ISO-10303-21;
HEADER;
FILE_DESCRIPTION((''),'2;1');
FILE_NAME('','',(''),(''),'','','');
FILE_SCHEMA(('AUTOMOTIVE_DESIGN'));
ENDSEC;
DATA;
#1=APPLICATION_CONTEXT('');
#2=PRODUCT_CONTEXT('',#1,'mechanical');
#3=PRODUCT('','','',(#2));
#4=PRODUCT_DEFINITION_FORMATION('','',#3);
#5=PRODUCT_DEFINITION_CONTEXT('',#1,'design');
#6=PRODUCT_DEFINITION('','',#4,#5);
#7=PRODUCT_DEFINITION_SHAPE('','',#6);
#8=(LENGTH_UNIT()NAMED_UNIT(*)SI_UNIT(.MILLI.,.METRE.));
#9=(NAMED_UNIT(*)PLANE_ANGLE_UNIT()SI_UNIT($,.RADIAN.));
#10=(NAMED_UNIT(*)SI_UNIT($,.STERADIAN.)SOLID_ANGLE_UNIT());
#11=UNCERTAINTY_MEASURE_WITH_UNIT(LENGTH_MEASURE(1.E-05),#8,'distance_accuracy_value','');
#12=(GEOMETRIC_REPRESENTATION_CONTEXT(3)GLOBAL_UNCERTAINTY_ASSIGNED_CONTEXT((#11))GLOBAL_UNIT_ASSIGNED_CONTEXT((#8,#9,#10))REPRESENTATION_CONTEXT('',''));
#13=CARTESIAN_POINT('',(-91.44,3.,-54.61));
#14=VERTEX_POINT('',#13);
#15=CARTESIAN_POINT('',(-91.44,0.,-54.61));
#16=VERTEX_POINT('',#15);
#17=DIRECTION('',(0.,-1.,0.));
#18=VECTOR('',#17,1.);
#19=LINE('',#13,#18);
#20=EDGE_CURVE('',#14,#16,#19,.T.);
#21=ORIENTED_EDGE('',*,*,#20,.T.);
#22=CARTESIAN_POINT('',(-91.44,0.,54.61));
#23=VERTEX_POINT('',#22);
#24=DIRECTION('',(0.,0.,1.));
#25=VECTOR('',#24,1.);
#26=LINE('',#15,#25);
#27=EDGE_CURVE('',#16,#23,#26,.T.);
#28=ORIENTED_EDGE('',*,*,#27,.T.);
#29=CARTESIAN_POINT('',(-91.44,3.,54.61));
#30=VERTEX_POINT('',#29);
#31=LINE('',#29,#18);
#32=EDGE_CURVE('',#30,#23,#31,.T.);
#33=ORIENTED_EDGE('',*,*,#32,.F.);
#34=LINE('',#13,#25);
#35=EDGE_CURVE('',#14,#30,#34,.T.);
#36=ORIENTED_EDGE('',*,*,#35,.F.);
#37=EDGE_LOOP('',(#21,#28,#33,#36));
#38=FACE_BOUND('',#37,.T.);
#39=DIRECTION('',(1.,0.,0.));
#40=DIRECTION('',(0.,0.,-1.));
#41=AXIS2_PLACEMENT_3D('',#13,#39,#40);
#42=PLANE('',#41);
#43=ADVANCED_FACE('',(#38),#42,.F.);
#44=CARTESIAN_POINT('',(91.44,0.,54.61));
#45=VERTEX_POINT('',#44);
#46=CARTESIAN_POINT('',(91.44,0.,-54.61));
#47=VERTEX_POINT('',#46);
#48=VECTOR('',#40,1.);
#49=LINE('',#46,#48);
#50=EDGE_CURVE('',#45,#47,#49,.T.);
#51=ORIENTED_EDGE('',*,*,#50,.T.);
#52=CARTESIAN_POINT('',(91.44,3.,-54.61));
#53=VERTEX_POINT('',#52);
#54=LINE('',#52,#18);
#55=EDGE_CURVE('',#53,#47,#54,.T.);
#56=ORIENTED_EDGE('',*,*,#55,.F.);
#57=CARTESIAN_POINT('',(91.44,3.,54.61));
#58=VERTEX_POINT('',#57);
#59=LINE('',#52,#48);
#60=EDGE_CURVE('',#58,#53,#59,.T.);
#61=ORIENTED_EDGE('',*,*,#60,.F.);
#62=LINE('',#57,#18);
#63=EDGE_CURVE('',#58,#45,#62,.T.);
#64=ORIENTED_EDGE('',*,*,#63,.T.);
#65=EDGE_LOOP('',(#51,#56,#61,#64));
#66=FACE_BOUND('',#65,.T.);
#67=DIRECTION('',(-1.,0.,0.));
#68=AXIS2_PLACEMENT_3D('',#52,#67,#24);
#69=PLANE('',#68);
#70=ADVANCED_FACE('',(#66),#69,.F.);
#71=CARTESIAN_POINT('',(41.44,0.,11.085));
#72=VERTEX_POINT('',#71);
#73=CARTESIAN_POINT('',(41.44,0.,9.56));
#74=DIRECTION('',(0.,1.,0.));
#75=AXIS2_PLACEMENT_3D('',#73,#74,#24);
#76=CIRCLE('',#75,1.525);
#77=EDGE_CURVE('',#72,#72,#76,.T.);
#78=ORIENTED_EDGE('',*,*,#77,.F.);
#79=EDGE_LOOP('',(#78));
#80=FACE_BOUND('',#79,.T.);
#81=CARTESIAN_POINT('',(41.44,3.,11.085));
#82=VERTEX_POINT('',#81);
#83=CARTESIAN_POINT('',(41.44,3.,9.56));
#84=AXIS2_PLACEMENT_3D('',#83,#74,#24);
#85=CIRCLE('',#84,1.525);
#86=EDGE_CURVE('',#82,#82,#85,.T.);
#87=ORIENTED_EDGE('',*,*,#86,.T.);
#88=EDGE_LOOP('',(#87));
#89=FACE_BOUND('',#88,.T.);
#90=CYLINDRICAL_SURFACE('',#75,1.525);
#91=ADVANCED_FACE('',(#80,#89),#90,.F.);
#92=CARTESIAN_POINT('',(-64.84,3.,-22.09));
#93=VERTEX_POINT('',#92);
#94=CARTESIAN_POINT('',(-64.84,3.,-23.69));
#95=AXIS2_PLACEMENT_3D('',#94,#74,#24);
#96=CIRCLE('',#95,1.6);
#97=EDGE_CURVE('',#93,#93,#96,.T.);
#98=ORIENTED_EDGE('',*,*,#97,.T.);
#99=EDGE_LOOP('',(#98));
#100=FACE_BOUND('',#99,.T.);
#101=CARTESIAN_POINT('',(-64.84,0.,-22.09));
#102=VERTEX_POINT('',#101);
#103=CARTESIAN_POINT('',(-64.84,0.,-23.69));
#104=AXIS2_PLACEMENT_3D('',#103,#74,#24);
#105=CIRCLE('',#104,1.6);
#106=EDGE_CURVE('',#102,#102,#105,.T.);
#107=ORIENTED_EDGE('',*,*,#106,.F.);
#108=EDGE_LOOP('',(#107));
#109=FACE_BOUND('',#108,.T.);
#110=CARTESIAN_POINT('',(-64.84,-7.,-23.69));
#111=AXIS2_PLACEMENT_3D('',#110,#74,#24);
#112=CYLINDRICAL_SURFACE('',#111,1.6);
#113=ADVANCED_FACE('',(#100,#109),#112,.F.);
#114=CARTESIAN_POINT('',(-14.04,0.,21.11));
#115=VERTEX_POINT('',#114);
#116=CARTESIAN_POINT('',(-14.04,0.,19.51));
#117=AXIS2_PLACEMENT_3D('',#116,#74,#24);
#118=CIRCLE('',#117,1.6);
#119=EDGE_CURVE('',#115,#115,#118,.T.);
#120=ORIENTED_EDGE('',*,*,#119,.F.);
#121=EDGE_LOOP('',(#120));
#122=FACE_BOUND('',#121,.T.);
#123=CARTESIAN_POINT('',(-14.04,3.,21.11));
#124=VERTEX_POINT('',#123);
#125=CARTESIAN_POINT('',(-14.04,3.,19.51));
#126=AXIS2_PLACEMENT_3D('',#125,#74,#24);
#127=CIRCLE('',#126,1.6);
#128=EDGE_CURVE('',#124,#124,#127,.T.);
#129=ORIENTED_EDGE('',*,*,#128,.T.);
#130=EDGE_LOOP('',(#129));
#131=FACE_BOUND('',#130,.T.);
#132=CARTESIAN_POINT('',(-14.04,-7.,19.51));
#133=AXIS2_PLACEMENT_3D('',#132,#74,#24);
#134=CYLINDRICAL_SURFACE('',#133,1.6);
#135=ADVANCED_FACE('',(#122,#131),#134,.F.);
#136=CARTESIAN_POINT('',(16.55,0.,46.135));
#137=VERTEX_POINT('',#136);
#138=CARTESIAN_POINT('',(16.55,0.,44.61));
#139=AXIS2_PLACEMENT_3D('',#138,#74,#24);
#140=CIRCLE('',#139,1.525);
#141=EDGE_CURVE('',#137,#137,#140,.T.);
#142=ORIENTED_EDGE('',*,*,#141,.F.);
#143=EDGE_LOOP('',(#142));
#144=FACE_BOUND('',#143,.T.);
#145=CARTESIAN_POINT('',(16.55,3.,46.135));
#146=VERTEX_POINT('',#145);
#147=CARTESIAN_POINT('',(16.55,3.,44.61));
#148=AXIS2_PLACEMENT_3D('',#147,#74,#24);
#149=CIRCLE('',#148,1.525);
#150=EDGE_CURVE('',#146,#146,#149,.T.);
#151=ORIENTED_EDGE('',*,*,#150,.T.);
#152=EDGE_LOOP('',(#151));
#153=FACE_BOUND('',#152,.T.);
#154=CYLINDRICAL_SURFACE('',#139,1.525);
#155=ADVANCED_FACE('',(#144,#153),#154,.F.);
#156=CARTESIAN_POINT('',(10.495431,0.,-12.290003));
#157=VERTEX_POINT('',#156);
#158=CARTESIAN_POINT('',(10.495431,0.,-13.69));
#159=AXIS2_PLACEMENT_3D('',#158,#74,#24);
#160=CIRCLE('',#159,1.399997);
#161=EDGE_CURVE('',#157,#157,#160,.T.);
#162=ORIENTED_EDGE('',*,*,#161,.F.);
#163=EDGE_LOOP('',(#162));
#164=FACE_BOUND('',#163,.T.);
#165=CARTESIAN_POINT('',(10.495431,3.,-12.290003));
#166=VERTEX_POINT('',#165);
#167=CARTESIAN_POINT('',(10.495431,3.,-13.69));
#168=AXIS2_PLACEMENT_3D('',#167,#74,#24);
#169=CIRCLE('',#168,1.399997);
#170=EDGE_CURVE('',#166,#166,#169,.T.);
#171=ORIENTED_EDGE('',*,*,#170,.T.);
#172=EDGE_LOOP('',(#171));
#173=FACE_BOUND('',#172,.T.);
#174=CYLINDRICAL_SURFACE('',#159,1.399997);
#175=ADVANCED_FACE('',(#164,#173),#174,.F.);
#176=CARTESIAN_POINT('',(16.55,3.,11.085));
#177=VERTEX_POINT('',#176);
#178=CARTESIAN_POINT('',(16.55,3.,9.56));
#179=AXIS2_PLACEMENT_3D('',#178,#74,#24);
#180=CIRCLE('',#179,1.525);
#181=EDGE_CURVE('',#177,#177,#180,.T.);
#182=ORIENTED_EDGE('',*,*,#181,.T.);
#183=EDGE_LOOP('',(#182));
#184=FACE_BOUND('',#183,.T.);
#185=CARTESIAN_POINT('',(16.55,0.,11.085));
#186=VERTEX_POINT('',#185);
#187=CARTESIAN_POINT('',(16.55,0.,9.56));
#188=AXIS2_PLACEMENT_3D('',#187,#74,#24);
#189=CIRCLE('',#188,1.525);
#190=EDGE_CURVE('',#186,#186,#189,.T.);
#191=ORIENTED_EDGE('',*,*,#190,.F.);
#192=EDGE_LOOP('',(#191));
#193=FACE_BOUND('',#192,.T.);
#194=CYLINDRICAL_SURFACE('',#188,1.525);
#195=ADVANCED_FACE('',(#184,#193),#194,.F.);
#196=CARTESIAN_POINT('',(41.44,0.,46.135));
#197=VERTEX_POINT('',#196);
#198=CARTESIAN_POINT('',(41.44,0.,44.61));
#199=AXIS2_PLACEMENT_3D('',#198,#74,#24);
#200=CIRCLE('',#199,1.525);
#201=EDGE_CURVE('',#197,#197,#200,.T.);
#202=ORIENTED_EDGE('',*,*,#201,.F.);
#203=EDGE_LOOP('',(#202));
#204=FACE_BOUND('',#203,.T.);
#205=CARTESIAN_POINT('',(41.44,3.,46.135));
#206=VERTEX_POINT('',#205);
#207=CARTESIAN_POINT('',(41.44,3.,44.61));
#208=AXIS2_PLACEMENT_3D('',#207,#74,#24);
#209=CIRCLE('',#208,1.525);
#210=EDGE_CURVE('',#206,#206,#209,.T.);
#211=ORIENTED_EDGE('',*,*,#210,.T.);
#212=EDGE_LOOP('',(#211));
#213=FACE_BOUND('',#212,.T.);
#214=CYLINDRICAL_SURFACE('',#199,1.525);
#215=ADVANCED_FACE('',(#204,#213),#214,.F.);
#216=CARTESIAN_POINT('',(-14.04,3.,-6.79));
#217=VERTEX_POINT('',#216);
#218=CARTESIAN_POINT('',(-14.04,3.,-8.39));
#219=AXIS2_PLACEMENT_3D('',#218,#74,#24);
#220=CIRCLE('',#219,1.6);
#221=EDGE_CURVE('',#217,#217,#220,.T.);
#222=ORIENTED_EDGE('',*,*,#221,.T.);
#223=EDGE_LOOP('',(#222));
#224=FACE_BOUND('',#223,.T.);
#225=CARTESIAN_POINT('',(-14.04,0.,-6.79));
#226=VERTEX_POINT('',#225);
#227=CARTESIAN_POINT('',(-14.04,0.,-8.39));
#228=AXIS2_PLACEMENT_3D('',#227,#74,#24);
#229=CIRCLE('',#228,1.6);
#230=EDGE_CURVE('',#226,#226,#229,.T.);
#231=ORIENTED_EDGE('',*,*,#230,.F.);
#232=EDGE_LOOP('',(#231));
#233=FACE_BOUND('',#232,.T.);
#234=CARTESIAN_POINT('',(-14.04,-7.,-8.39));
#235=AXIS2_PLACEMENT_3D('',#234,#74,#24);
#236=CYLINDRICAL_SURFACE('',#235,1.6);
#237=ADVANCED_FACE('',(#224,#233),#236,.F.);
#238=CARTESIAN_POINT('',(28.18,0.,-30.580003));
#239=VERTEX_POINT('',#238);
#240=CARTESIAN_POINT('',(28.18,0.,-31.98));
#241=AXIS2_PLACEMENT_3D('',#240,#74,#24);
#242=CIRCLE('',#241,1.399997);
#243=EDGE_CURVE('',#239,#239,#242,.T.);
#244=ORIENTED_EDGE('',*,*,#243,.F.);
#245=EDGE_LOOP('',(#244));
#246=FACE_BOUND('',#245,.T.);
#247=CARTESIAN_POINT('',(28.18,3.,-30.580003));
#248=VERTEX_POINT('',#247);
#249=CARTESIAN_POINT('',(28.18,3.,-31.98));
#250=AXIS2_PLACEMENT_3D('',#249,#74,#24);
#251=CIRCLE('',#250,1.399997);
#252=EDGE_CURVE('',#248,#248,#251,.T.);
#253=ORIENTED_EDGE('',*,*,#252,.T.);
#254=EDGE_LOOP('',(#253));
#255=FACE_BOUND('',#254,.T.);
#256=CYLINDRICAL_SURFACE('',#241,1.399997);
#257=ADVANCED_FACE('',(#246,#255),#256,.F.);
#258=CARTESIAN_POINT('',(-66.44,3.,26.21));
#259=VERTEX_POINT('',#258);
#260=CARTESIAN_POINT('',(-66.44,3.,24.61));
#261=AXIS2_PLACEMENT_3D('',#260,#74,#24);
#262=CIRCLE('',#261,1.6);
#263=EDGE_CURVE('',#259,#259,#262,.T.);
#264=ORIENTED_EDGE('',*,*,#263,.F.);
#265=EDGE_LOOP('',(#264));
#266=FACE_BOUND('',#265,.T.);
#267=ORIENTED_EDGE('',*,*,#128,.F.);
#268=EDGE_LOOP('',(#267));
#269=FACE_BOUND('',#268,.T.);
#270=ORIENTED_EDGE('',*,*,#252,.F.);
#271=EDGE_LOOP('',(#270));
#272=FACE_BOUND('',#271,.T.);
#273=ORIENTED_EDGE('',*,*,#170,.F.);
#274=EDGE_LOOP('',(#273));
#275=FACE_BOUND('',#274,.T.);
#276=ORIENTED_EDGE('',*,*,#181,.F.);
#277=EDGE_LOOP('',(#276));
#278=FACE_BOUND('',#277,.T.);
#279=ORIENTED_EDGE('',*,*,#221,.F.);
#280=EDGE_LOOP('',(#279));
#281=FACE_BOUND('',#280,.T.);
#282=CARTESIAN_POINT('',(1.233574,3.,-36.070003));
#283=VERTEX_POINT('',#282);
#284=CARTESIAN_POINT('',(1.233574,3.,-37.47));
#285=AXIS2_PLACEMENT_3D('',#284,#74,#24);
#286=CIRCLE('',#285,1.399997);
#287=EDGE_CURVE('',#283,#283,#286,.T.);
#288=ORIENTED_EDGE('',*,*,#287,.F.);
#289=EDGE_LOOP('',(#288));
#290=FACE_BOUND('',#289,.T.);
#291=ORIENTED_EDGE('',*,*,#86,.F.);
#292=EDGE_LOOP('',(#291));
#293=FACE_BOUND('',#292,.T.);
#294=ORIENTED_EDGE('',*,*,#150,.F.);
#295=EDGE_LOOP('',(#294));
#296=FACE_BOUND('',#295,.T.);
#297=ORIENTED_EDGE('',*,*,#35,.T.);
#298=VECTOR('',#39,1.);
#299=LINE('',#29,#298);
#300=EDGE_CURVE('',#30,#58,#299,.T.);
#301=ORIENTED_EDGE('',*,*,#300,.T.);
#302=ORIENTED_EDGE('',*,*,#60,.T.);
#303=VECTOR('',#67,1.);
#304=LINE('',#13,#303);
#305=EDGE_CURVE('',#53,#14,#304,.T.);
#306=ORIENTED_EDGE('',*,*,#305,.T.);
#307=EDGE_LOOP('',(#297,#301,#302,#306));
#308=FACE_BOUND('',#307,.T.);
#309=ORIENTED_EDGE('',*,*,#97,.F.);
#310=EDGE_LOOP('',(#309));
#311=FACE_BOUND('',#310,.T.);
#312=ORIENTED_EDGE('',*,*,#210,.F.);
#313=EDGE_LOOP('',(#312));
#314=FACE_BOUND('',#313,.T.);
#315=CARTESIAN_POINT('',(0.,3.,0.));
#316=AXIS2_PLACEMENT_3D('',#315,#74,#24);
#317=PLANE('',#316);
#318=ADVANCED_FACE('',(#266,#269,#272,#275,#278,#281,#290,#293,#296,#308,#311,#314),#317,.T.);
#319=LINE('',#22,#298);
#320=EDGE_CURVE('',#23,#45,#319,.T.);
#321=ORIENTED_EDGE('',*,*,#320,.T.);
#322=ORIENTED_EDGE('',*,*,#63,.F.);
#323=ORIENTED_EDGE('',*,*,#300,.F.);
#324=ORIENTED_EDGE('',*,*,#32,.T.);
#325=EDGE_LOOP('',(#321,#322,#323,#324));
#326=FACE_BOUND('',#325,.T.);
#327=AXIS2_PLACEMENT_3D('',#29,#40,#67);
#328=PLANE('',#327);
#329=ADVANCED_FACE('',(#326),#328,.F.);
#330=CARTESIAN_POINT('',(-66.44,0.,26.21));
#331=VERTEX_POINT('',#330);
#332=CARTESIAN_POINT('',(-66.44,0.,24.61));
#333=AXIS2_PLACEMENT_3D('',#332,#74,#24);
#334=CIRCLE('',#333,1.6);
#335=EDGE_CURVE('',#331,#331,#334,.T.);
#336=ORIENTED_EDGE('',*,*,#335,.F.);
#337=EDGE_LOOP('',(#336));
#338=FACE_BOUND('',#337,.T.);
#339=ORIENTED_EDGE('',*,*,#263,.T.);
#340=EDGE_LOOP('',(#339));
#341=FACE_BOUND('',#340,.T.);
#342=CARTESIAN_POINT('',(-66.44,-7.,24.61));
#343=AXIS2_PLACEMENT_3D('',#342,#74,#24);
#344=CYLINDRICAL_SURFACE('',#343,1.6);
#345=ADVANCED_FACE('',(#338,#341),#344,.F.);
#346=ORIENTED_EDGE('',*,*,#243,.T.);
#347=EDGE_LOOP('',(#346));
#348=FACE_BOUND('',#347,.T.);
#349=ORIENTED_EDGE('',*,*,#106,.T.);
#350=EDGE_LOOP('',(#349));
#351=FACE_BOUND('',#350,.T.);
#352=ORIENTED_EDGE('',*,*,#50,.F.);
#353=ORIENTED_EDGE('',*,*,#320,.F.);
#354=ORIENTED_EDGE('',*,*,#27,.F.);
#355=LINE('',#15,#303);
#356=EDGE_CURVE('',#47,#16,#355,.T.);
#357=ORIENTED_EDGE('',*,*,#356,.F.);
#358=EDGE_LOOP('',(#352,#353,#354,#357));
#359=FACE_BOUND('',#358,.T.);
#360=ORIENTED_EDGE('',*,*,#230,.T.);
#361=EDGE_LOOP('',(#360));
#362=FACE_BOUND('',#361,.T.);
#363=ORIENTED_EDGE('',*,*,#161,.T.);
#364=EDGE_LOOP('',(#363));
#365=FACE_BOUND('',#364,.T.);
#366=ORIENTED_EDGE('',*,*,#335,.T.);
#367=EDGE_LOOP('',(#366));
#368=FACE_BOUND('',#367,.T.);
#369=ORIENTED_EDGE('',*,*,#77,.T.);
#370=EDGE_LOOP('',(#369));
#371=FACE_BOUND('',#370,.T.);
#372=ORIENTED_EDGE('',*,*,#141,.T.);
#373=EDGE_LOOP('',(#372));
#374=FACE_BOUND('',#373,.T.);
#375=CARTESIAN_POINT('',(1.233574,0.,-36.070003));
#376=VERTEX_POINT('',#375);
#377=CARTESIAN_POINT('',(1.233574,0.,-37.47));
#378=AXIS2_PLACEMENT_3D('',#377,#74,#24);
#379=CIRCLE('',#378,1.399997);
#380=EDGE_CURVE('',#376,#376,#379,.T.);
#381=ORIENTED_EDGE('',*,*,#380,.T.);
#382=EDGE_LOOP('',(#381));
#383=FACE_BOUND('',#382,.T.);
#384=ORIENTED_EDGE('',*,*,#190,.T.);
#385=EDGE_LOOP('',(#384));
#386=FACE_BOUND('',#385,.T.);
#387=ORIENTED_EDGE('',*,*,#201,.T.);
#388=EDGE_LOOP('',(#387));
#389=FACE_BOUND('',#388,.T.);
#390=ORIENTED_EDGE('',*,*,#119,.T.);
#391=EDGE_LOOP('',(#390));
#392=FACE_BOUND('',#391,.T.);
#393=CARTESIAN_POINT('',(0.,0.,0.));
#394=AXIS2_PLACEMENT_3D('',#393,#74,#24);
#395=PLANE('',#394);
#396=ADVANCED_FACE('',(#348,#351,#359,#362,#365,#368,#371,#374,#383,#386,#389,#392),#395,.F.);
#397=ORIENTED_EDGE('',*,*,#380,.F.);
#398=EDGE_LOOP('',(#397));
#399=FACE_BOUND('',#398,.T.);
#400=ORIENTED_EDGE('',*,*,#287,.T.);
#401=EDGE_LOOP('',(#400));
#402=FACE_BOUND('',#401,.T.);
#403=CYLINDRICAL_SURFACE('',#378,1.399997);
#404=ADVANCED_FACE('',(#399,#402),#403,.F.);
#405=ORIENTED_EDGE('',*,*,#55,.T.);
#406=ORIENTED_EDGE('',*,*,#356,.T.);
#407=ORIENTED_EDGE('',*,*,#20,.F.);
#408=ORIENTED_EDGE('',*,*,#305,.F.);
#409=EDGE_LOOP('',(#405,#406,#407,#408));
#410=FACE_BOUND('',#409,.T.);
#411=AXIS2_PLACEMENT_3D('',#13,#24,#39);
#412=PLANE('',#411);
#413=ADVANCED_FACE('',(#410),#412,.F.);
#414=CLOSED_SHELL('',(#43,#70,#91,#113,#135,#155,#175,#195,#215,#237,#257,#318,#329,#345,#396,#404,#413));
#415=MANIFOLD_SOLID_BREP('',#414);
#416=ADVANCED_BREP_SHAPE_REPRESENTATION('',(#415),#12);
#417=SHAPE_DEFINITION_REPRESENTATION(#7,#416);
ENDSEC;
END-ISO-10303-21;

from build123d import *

# Parameters (mm, degrees)
SKETCH1_W           = 182.88
SKETCH1_H           = 109.22
BOSS_EXTRUDE1_DEPTH = 3
SKETCH2_R           = 1.6
CUT_EXTRUDE1_DEPTH  = 10
SKETCH3_R           = 1.3999972
CUT_EXTRUDE2_DEPTH  = 107.548231801
SKETCH4_R           = 1.525
CUT_EXTRUDE3_DEPTH  = 107.548231801


with BuildPart() as part:
    # Sketch1 → Boss-Extrude1 (new body)
    with BuildSketch(Plane(origin=(0, 0, 0), x_dir=(1, 0, 0), z_dir=(0, 1, 0))):
        Rectangle(SKETCH1_W, SKETCH1_H)
    extrude(amount=BOSS_EXTRUDE1_DEPTH)

    # Sketch2 → Cut-Extrude1 (cut)
    with BuildSketch(Plane(origin=(0, 3, 0), x_dir=(1, 0, 0), z_dir=(0, 1, 0))):
        with Locations(Location((-66.44, -24.61, 0), (0, 0, 270))):
            Circle(SKETCH2_R)
        with Locations(Location((-64.84, 23.69, 0), (0, 0, 270))):
            Circle(SKETCH2_R)
        with Locations(Location((-14.04, 8.39, 0), (0, 0, 270))):
            Circle(SKETCH2_R)
        with Locations(Location((-14.04, -19.51, 0), (0, 0, 270))):
            Circle(SKETCH2_R)
    extrude(amount=-CUT_EXTRUDE1_DEPTH, mode=Mode.SUBTRACT)

    # Sketch3 → Cut-Extrude2 (cut, through all)
    with BuildSketch(Plane(origin=(0, 3, 0), x_dir=(1, 0, 0), z_dir=(0, 1, 0))):
        with Locations(Location((10.495430786, 13.69, 0), (0, 0, 270))):
            Circle(SKETCH3_R)
        with Locations(Location((1.233573521, 37.47, 0), (0, 0, 270))):
            Circle(SKETCH3_R)
        with Locations(Location((28.18, 31.98, 0), (0, 0, 270))):
            Circle(SKETCH3_R)
    extrude(amount=-CUT_EXTRUDE2_DEPTH, mode=Mode.SUBTRACT)

    # Sketch4 → Cut-Extrude3 (cut, through all)
    with BuildSketch(Plane(origin=(0, 3, 0), x_dir=(1, 0, 0), z_dir=(0, 1, 0))):
        with Locations(Location((16.55, -44.61, 0), (0, 0, 270))):
            Circle(SKETCH4_R)
        with Locations(Location((41.44, -9.56, 0), (0, 0, 270))):
            Circle(SKETCH4_R)
        with Locations(Location((16.55, -9.56, 0), (0, 0, 270))):
            Circle(SKETCH4_R)
        with Locations(Location((41.44, -44.61, 0), (0, 0, 270))):
            Circle(SKETCH4_R)
    extrude(amount=-CUT_EXTRUDE3_DEPTH, mode=Mode.SUBTRACT)


solid = part.part
